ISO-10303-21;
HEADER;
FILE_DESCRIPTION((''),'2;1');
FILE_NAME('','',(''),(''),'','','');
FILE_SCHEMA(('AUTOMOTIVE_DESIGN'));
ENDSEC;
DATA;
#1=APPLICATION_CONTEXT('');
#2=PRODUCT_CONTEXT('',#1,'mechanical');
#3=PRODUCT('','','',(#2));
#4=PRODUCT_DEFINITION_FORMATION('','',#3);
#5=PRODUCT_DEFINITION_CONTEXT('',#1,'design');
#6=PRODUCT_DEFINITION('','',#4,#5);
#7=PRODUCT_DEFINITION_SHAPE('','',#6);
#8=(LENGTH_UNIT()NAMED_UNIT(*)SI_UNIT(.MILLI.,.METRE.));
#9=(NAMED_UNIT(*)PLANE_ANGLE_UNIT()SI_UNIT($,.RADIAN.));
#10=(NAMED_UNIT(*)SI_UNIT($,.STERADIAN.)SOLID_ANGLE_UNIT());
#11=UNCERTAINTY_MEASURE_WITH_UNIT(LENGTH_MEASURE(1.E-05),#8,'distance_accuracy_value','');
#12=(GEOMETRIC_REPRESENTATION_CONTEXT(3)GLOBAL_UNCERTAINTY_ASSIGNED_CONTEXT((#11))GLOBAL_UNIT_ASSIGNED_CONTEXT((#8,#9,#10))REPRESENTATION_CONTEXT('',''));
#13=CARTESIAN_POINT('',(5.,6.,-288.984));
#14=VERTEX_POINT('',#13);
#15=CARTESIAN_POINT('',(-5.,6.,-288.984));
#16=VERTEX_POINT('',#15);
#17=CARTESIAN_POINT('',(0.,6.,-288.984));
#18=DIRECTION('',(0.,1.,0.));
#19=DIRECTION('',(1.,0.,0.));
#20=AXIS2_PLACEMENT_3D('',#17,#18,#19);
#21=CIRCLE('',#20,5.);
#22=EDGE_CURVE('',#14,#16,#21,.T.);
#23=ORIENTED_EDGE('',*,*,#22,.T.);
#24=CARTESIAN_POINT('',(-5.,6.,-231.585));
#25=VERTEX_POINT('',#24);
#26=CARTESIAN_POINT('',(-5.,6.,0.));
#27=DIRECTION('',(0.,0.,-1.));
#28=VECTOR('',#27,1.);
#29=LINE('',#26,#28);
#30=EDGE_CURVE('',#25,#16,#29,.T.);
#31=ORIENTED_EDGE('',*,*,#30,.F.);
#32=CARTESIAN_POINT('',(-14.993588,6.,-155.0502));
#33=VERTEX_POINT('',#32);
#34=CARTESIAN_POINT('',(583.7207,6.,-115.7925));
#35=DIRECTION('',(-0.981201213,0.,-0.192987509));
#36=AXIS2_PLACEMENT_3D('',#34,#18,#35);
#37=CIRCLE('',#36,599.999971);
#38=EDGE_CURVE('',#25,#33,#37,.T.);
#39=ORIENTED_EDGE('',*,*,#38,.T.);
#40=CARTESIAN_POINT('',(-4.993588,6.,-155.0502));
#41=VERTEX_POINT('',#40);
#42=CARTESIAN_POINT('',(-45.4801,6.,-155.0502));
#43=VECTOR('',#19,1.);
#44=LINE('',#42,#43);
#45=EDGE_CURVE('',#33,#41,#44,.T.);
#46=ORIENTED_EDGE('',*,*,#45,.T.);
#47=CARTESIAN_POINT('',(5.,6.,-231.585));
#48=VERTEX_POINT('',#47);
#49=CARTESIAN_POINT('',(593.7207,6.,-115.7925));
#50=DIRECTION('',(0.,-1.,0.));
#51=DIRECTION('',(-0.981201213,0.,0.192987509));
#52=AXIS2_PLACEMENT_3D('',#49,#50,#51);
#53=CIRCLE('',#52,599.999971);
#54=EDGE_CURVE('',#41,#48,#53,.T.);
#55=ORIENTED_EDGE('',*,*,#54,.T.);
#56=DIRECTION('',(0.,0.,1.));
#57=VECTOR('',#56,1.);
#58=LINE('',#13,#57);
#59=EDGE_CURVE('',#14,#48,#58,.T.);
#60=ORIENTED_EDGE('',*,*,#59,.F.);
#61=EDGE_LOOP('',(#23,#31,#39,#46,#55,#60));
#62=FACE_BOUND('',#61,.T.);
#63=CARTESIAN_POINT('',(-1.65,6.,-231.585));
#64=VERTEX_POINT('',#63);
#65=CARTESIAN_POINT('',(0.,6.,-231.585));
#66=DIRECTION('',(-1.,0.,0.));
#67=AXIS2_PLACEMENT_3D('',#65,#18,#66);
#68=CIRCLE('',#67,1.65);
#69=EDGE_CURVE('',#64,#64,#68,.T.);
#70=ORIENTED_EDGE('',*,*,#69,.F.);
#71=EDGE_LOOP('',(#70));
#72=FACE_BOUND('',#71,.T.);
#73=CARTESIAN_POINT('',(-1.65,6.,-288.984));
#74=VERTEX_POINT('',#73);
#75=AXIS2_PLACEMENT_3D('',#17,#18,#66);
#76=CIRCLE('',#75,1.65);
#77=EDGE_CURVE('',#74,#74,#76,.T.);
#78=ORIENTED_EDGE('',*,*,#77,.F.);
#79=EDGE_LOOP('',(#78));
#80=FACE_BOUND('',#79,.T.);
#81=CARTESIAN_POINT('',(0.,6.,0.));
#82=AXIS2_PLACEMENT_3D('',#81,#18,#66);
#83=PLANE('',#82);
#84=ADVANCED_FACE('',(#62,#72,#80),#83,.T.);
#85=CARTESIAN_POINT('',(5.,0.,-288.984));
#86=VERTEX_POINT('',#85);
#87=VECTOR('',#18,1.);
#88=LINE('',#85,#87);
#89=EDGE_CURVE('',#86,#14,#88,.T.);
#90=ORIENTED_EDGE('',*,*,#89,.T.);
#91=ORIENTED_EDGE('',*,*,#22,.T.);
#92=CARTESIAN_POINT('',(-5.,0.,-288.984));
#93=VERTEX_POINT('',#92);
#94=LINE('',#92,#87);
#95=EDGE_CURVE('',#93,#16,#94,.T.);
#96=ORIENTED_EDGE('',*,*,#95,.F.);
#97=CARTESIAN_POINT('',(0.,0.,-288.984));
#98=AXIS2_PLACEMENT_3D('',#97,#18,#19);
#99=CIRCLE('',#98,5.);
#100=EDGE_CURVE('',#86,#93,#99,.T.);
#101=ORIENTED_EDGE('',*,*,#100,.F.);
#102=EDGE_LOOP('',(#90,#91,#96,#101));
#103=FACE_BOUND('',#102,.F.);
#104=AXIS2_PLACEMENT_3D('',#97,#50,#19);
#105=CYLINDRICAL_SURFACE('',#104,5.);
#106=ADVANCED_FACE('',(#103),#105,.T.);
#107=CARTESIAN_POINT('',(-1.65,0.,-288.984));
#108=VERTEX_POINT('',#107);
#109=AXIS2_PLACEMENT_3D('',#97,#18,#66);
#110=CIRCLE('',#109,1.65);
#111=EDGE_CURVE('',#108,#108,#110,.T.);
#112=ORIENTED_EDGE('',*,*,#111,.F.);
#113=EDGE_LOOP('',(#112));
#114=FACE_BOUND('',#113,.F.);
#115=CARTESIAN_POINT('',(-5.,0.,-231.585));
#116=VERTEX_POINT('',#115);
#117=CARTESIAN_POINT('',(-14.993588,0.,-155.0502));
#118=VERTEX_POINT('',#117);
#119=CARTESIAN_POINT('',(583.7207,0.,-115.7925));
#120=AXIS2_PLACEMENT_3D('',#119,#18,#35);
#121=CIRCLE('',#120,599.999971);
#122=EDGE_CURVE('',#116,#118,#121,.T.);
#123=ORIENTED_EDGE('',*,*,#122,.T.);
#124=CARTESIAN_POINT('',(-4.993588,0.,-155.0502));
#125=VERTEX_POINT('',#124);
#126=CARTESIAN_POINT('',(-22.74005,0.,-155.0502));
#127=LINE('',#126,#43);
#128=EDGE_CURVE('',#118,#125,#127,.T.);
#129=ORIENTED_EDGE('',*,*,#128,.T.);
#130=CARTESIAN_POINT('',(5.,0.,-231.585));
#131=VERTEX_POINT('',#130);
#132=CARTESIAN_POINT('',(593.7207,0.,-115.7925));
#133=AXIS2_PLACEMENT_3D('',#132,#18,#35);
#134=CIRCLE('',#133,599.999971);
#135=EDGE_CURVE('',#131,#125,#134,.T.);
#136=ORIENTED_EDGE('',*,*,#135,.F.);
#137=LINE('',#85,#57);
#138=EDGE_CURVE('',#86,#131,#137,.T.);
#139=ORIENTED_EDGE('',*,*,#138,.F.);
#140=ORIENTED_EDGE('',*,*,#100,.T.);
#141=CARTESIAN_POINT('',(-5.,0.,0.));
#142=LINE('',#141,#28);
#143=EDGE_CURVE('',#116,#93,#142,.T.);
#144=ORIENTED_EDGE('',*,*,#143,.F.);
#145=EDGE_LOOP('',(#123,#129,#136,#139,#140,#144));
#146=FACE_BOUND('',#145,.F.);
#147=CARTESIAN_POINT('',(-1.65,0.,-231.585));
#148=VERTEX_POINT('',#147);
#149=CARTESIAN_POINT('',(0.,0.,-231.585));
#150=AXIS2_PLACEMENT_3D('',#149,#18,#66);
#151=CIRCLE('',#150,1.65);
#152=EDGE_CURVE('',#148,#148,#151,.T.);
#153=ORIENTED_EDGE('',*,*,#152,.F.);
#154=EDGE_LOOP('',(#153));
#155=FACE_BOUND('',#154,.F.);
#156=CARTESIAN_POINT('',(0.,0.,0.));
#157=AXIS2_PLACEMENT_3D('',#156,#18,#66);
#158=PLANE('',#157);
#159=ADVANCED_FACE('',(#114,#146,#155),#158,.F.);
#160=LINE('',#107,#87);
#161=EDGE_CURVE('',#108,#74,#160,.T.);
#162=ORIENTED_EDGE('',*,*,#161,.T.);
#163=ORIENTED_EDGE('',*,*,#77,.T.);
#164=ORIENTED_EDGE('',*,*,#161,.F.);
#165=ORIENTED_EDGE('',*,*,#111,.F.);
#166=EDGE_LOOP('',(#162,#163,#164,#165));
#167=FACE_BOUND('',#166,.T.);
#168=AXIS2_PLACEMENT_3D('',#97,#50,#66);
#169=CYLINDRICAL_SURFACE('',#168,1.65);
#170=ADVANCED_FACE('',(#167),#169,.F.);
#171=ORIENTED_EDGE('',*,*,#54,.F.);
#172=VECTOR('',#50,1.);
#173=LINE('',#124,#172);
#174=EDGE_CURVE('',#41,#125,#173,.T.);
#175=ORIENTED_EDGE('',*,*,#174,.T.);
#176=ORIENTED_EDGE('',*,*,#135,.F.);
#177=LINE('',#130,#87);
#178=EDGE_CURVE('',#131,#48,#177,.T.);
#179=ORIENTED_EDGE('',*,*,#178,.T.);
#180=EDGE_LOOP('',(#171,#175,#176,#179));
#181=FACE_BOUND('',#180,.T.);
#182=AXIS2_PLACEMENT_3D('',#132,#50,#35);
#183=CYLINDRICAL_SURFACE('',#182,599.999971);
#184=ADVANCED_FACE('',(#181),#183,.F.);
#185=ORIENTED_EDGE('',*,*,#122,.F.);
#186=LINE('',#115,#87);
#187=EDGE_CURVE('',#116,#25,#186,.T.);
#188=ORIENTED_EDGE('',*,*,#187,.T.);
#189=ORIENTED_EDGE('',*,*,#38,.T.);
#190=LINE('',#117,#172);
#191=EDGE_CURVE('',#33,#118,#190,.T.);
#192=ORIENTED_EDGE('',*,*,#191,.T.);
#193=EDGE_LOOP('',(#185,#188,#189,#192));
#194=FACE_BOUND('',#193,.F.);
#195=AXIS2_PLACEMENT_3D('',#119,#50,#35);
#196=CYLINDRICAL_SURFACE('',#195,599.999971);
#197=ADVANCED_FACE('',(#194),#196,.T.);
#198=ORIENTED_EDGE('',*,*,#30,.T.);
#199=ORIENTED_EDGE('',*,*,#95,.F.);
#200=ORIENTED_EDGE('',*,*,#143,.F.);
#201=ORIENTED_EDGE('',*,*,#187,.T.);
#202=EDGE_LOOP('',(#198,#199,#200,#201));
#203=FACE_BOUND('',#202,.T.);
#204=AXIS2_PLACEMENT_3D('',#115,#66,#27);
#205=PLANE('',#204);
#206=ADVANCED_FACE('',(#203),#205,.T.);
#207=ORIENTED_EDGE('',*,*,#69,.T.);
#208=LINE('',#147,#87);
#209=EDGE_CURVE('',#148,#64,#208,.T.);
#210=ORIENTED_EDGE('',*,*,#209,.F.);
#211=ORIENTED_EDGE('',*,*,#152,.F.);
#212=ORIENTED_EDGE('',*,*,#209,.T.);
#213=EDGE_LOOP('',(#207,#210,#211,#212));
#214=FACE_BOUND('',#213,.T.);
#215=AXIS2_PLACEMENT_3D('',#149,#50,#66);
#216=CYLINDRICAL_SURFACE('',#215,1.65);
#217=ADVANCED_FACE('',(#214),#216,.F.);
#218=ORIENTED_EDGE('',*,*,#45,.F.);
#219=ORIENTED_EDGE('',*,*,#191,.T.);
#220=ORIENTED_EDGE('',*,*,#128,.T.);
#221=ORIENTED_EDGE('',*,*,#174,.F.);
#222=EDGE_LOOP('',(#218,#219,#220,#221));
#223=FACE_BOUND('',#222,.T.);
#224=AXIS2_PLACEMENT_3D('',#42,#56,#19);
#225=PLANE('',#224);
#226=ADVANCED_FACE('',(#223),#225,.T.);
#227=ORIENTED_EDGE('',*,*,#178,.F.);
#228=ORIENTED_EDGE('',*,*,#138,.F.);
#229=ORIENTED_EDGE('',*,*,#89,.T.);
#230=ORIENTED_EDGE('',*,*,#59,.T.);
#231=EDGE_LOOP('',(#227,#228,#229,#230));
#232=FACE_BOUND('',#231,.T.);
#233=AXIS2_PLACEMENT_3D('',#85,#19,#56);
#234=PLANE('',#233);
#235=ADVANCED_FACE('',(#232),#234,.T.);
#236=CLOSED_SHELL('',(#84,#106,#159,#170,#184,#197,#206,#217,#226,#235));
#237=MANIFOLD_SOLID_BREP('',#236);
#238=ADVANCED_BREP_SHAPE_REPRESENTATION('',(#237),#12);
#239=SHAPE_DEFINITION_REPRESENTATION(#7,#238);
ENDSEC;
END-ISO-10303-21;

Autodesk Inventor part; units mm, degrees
ref_plane "YZ Plane" through (0, 0, 0) normal (1, 0, 0) x (0, 1, 0)
ref_plane "XZ Plane" through (0, 0, 0) normal (0, 1, 0) x (-1, 0, 0)
ref_plane "XY Plane" through (0, 0, 0) normal (0, 0, 1) x (1, 0, 0)
sketch "Sketch1" plane through (0, 0, 0) normal (0, 1, 0) x (-1, 0, 0)
  line L0 (0, 0) -> (0, -288.984) construction
  line L1 (5, 0) -> (5, -288.984)
  line L2 (-5, -288.984) -> (-5, 0)
  arc A0 (5, 0) -> (-5, 0) centre (0, 0) ccw
  arc A1 (-5, -288.984) -> (5, -288.984) centre (0, -288.984) ccw
  circle A2 centre (0, 0) radius 1.65
  circle A3 centre (0, -288.984) radius 1.65
  circle A4 centre (0, -231.585) radius 1.65
  arc A5 (-5, -231.585) -> (-5, 0) centre (-593.7207, -115.7925) ccw
  arc A6 (5, -231.585) -> (5, 0) centre (-583.7207, -115.7925) ccw
  circle A7 centre (11.23, -122.909) radius 1.65
  point P0 (0, -144.492)
  dimension "d0" = 3.3
  dimension "d1" = 3.3
  dimension "d2" = 10
  dimension "d3" = 288.984
  dimension "d14" = 3.3
  dimension "d15" = 231.585
  dimension "d18" = 600
  dimension "d19" = 600
  dimension "d20" = 3.3
  dimension "d21" = 122.909
extrude "Extrusion1" add sketch "Sketch1" along normal blind 6 contours L1 A1 L2 A5 | L1 A5 A6 | L1 A5 A0
sketch "Sketch2" plane through (0, 6, 0) normal (0, 1, 0) x (1, 0, 0)
  line L0 (-45.4801, 155.0502) -> (34.3076, 155.0502)
  line L1 (34.3076, 155.0502) -> (34.3076, -18.7731)
  line L2 (34.3076, -18.7731) -> (-45.4801, -18.7731)
  line L3 (-45.4801, -18.7731) -> (-45.4801, 155.0502)
  line L4 (-115.905, 316.254) -> (136.0777, 316.254)
  line L5 (136.0777, 316.254) -> (136.0777, -116.4724)
  line L6 (136.0777, -116.4724) -> (-115.905, -116.4724)
  line L7 (-115.905, -116.4724) -> (-115.905, 316.254)
  point P0 (0, 0)
extrude "Extrusion2" cut sketch "Sketch2" against normal blind 10 contours L0 L1 L2 L3
properties part number "Part_7_p2"
